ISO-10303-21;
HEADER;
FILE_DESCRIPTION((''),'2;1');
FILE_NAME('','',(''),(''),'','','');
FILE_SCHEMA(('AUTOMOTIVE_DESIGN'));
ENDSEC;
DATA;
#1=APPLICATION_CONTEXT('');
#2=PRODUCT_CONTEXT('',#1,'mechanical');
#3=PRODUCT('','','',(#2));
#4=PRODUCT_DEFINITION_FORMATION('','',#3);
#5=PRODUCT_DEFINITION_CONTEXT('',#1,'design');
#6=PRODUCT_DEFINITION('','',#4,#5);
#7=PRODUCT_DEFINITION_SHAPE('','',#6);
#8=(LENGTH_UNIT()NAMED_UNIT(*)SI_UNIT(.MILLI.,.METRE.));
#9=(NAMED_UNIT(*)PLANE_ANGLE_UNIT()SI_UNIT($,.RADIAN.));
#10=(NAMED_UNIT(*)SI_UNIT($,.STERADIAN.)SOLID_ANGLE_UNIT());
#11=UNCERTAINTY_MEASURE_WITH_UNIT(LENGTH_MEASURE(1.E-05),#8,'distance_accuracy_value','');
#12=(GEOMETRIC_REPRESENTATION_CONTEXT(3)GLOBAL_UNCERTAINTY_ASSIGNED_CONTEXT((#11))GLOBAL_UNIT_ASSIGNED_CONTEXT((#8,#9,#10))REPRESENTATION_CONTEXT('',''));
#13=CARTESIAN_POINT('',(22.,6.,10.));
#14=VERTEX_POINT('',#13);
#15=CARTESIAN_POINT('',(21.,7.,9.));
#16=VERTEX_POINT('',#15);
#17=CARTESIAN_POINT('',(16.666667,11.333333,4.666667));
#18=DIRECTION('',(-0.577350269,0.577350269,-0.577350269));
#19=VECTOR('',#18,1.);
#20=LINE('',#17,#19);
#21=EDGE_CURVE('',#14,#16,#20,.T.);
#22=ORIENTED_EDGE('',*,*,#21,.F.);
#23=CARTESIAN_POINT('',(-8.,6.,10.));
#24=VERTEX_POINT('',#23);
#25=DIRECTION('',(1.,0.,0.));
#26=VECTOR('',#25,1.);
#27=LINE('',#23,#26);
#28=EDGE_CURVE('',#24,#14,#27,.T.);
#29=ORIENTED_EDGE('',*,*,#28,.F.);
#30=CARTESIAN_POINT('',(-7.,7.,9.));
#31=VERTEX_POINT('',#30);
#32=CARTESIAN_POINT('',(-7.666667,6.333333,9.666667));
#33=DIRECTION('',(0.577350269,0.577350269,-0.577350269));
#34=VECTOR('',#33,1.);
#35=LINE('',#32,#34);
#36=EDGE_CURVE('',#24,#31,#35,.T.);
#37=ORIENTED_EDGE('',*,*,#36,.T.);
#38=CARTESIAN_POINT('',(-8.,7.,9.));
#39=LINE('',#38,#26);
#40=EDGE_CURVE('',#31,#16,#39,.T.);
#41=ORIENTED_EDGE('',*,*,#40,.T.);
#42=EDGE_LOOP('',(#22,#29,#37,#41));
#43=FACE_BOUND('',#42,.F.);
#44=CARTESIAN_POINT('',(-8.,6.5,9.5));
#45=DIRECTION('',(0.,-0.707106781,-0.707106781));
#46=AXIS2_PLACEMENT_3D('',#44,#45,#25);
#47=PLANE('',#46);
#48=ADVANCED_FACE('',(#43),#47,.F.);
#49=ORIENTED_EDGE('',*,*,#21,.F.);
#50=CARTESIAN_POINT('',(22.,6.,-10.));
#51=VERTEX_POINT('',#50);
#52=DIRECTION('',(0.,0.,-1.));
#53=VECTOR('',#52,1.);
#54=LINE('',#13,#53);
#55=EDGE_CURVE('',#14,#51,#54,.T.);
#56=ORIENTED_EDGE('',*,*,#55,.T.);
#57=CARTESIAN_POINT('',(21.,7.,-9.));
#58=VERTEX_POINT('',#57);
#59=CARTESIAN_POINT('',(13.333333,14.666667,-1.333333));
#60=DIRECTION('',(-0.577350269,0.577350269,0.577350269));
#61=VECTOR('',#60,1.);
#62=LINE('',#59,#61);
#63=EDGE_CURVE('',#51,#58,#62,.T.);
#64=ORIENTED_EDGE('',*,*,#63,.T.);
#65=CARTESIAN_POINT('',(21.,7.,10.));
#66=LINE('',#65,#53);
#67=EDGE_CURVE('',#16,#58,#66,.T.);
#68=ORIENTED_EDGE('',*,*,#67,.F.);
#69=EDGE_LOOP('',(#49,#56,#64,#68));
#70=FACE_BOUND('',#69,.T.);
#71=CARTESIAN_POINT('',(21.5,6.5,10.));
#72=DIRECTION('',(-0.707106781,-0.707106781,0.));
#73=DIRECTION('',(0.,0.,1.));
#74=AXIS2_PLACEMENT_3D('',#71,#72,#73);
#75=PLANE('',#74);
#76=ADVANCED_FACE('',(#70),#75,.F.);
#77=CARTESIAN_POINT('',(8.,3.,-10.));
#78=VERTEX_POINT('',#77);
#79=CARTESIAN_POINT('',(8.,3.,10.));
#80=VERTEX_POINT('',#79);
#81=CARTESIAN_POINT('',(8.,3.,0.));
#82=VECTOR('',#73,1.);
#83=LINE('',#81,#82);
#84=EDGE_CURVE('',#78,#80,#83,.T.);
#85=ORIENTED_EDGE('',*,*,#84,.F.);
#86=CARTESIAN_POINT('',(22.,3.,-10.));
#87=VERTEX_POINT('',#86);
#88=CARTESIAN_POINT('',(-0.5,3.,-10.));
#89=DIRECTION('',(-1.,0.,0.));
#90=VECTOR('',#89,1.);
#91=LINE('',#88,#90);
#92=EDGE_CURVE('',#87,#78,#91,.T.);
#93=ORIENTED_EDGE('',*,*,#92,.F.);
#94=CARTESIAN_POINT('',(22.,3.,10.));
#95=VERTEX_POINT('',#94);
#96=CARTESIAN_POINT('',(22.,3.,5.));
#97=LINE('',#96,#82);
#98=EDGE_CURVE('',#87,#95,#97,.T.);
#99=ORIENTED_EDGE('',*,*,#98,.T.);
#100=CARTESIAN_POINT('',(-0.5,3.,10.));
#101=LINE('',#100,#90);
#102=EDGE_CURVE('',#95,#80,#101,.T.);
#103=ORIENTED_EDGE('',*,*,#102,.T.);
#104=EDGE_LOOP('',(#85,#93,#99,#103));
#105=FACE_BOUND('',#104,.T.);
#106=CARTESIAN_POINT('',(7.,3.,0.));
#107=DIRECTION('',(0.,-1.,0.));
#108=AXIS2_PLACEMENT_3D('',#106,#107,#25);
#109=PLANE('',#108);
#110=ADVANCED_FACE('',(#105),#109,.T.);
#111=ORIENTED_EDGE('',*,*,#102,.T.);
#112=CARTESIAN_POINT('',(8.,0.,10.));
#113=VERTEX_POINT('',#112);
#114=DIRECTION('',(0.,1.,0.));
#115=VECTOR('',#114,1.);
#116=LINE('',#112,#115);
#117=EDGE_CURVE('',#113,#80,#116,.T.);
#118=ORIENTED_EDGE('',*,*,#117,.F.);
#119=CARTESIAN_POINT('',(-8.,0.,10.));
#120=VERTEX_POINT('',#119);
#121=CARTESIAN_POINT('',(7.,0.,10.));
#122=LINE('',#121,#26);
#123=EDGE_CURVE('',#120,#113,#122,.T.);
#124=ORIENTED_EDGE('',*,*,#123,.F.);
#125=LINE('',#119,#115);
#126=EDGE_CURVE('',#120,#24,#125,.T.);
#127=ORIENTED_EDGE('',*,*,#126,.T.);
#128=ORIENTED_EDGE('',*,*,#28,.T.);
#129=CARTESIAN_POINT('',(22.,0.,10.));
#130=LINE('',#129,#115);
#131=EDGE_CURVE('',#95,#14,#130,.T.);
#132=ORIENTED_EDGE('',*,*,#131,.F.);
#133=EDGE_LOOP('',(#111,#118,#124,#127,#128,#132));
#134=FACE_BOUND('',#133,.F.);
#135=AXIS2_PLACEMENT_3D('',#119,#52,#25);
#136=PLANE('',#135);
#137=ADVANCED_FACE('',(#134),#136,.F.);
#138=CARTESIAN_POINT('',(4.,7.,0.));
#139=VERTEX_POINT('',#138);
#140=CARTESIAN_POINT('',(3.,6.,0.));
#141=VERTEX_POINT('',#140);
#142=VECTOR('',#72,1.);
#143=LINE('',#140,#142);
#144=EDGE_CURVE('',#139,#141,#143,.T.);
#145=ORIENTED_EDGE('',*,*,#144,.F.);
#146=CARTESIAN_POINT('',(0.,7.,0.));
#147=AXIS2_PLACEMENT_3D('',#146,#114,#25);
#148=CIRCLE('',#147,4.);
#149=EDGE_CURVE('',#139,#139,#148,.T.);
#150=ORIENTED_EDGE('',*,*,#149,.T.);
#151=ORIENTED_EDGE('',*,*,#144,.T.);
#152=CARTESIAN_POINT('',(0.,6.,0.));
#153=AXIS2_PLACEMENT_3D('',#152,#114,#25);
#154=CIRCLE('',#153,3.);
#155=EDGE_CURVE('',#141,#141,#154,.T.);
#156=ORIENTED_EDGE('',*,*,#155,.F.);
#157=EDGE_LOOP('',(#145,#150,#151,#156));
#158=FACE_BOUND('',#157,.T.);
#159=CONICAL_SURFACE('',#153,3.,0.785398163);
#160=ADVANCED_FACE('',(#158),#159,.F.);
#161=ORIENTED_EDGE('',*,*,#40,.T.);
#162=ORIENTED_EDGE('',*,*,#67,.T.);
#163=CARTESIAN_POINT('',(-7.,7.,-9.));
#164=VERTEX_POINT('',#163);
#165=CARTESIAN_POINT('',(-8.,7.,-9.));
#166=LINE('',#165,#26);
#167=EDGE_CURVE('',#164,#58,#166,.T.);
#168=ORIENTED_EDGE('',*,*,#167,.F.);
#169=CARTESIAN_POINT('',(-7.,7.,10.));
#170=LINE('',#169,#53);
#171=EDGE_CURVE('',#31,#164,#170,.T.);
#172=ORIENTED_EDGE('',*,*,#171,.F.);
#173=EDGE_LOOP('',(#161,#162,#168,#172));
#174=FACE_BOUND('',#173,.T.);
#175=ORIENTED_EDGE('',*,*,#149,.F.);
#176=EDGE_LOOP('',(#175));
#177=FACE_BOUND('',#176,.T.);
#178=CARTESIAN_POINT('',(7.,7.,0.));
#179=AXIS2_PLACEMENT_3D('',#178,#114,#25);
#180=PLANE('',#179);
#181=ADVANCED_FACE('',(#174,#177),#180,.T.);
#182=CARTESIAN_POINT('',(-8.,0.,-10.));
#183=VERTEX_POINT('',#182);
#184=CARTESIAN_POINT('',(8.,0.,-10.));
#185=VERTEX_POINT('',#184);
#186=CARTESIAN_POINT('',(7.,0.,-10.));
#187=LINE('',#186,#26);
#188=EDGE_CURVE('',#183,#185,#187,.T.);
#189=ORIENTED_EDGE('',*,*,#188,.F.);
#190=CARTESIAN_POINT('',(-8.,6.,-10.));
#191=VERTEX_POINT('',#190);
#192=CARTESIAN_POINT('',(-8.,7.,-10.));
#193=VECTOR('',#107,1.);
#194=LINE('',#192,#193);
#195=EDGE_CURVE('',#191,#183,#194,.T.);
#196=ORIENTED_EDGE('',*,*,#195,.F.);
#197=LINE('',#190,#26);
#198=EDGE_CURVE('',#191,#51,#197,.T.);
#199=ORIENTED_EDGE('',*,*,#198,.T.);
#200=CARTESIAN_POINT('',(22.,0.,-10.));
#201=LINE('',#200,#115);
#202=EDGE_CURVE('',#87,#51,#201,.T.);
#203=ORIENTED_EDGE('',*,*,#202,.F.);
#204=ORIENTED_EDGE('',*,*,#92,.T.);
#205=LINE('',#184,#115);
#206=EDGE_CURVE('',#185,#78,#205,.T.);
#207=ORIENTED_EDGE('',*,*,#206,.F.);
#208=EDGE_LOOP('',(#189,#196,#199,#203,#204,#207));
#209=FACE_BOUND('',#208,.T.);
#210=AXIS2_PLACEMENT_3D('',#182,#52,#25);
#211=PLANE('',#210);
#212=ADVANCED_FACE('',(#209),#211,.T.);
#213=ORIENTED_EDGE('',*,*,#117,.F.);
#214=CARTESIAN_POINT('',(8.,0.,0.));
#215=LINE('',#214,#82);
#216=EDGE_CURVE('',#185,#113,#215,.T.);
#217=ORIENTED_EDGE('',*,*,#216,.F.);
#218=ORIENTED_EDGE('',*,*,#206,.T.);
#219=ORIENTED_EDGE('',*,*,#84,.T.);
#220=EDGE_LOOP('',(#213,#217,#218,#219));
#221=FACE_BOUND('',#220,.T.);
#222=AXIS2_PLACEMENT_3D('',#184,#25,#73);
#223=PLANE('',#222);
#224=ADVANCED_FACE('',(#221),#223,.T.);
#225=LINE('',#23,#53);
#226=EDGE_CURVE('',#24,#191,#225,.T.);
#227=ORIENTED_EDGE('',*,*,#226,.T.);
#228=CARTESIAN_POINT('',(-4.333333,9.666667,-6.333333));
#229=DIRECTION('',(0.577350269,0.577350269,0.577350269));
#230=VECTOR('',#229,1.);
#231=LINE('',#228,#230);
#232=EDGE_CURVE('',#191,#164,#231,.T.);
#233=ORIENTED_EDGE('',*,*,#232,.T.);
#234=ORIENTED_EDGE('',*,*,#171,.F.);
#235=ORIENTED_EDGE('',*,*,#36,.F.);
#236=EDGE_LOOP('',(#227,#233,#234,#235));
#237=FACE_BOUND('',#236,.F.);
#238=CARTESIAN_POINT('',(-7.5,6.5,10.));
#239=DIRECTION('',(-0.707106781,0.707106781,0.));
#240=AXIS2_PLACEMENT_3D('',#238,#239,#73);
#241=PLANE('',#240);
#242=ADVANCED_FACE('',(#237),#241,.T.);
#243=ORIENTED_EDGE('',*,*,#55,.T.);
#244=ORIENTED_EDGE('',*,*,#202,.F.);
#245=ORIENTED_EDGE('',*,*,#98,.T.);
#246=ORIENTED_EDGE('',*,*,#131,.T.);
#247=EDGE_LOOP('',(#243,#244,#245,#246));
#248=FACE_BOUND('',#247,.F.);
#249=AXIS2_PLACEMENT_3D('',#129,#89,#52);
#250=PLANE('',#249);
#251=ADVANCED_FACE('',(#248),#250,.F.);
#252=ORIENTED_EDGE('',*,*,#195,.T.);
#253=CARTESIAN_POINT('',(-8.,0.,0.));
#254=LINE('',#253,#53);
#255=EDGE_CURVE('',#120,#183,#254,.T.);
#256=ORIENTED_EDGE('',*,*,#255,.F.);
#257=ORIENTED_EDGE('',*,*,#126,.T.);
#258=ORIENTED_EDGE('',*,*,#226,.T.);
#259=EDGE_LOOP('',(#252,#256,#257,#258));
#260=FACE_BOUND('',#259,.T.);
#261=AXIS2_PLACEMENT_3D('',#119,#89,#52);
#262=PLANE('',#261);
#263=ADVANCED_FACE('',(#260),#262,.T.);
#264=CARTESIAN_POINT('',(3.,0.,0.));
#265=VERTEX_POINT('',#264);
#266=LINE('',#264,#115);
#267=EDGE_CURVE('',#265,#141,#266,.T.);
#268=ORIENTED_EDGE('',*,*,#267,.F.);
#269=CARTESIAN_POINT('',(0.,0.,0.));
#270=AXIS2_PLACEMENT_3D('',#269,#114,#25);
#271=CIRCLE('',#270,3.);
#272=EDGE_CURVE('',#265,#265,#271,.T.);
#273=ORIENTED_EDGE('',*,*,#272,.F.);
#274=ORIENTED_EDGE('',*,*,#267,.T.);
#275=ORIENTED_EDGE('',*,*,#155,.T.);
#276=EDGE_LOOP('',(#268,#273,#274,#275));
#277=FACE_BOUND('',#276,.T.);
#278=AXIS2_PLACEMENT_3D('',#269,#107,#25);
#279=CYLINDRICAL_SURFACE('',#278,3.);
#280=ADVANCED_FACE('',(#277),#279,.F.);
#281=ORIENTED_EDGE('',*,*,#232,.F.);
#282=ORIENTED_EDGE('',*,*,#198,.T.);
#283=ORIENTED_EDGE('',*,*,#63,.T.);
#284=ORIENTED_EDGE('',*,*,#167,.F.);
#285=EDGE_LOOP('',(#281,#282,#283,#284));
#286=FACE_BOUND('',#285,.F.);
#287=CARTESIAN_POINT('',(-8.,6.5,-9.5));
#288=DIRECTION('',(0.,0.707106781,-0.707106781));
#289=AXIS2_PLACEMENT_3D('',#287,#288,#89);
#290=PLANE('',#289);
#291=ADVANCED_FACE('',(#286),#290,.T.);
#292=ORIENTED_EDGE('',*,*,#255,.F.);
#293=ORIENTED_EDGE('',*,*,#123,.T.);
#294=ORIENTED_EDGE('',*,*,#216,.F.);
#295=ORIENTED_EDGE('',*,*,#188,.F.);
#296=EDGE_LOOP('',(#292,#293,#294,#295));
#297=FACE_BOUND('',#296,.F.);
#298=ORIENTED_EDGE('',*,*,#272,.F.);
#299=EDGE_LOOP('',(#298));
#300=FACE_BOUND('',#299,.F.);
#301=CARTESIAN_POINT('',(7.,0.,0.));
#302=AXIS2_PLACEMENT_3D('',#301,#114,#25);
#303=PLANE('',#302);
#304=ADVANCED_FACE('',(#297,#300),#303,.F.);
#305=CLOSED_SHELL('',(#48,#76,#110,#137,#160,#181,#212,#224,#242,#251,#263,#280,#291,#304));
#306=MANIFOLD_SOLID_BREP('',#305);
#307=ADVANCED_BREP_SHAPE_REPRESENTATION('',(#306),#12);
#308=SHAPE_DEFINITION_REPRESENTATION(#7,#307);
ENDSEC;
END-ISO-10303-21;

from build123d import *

# Parameters (mm, degrees)
SKETCH1_W           = 30
SKETCH1_H           = 20
SKETCH1_R           = 3
BOSS_EXTRUDE1_DEPTH = 7
SKETCH2_OUTSIDE_W   = 39.346
SKETCH2_OUTSIDE_H   = 29.346
SKETCH2_OUTSIDE_W_2 = 16
SKETCH2_OUTSIDE_H_2 = 20
CUT_EXTRUDE1_DEPTH  = 3
CHAMFER1_SIZE       = 1


with BuildPart() as part:
    # Sketch1 → Boss-Extrude1 (new body)
    with BuildSketch(Plane(origin=(0, 0, 0), x_dir=(1, 0, 0), z_dir=(0, 1, 0))):
        with Locations((7, 0)):
            Rectangle(SKETCH1_W, SKETCH1_H)
        Circle(SKETCH1_R, mode=Mode.SUBTRACT)
    extrude(amount=BOSS_EXTRUDE1_DEPTH)

    # Sketch2 outside → Cut-Extrude1 (cut)
    with BuildSketch(Plane.XZ):
        with Locations((7, 0)):
            Rectangle(SKETCH2_OUTSIDE_W, SKETCH2_OUTSIDE_H)
        Rectangle(SKETCH2_OUTSIDE_W_2, SKETCH2_OUTSIDE_H_2, mode=Mode.SUBTRACT)
    extrude(amount=-CUT_EXTRUDE1_DEPTH, mode=Mode.SUBTRACT)

    # Chamfer1
    chamfer1_edges = [part.edges().sort_by_distance(p)[0] for p in [
        (-3, 7, 0),
        (22, 7, 0),
        (7, 7, -10),
        (-8, 7, 0),
        (7, 7, 10),
    ]]
    chamfer(chamfer1_edges, length=CHAMFER1_SIZE)


solid = part.part
